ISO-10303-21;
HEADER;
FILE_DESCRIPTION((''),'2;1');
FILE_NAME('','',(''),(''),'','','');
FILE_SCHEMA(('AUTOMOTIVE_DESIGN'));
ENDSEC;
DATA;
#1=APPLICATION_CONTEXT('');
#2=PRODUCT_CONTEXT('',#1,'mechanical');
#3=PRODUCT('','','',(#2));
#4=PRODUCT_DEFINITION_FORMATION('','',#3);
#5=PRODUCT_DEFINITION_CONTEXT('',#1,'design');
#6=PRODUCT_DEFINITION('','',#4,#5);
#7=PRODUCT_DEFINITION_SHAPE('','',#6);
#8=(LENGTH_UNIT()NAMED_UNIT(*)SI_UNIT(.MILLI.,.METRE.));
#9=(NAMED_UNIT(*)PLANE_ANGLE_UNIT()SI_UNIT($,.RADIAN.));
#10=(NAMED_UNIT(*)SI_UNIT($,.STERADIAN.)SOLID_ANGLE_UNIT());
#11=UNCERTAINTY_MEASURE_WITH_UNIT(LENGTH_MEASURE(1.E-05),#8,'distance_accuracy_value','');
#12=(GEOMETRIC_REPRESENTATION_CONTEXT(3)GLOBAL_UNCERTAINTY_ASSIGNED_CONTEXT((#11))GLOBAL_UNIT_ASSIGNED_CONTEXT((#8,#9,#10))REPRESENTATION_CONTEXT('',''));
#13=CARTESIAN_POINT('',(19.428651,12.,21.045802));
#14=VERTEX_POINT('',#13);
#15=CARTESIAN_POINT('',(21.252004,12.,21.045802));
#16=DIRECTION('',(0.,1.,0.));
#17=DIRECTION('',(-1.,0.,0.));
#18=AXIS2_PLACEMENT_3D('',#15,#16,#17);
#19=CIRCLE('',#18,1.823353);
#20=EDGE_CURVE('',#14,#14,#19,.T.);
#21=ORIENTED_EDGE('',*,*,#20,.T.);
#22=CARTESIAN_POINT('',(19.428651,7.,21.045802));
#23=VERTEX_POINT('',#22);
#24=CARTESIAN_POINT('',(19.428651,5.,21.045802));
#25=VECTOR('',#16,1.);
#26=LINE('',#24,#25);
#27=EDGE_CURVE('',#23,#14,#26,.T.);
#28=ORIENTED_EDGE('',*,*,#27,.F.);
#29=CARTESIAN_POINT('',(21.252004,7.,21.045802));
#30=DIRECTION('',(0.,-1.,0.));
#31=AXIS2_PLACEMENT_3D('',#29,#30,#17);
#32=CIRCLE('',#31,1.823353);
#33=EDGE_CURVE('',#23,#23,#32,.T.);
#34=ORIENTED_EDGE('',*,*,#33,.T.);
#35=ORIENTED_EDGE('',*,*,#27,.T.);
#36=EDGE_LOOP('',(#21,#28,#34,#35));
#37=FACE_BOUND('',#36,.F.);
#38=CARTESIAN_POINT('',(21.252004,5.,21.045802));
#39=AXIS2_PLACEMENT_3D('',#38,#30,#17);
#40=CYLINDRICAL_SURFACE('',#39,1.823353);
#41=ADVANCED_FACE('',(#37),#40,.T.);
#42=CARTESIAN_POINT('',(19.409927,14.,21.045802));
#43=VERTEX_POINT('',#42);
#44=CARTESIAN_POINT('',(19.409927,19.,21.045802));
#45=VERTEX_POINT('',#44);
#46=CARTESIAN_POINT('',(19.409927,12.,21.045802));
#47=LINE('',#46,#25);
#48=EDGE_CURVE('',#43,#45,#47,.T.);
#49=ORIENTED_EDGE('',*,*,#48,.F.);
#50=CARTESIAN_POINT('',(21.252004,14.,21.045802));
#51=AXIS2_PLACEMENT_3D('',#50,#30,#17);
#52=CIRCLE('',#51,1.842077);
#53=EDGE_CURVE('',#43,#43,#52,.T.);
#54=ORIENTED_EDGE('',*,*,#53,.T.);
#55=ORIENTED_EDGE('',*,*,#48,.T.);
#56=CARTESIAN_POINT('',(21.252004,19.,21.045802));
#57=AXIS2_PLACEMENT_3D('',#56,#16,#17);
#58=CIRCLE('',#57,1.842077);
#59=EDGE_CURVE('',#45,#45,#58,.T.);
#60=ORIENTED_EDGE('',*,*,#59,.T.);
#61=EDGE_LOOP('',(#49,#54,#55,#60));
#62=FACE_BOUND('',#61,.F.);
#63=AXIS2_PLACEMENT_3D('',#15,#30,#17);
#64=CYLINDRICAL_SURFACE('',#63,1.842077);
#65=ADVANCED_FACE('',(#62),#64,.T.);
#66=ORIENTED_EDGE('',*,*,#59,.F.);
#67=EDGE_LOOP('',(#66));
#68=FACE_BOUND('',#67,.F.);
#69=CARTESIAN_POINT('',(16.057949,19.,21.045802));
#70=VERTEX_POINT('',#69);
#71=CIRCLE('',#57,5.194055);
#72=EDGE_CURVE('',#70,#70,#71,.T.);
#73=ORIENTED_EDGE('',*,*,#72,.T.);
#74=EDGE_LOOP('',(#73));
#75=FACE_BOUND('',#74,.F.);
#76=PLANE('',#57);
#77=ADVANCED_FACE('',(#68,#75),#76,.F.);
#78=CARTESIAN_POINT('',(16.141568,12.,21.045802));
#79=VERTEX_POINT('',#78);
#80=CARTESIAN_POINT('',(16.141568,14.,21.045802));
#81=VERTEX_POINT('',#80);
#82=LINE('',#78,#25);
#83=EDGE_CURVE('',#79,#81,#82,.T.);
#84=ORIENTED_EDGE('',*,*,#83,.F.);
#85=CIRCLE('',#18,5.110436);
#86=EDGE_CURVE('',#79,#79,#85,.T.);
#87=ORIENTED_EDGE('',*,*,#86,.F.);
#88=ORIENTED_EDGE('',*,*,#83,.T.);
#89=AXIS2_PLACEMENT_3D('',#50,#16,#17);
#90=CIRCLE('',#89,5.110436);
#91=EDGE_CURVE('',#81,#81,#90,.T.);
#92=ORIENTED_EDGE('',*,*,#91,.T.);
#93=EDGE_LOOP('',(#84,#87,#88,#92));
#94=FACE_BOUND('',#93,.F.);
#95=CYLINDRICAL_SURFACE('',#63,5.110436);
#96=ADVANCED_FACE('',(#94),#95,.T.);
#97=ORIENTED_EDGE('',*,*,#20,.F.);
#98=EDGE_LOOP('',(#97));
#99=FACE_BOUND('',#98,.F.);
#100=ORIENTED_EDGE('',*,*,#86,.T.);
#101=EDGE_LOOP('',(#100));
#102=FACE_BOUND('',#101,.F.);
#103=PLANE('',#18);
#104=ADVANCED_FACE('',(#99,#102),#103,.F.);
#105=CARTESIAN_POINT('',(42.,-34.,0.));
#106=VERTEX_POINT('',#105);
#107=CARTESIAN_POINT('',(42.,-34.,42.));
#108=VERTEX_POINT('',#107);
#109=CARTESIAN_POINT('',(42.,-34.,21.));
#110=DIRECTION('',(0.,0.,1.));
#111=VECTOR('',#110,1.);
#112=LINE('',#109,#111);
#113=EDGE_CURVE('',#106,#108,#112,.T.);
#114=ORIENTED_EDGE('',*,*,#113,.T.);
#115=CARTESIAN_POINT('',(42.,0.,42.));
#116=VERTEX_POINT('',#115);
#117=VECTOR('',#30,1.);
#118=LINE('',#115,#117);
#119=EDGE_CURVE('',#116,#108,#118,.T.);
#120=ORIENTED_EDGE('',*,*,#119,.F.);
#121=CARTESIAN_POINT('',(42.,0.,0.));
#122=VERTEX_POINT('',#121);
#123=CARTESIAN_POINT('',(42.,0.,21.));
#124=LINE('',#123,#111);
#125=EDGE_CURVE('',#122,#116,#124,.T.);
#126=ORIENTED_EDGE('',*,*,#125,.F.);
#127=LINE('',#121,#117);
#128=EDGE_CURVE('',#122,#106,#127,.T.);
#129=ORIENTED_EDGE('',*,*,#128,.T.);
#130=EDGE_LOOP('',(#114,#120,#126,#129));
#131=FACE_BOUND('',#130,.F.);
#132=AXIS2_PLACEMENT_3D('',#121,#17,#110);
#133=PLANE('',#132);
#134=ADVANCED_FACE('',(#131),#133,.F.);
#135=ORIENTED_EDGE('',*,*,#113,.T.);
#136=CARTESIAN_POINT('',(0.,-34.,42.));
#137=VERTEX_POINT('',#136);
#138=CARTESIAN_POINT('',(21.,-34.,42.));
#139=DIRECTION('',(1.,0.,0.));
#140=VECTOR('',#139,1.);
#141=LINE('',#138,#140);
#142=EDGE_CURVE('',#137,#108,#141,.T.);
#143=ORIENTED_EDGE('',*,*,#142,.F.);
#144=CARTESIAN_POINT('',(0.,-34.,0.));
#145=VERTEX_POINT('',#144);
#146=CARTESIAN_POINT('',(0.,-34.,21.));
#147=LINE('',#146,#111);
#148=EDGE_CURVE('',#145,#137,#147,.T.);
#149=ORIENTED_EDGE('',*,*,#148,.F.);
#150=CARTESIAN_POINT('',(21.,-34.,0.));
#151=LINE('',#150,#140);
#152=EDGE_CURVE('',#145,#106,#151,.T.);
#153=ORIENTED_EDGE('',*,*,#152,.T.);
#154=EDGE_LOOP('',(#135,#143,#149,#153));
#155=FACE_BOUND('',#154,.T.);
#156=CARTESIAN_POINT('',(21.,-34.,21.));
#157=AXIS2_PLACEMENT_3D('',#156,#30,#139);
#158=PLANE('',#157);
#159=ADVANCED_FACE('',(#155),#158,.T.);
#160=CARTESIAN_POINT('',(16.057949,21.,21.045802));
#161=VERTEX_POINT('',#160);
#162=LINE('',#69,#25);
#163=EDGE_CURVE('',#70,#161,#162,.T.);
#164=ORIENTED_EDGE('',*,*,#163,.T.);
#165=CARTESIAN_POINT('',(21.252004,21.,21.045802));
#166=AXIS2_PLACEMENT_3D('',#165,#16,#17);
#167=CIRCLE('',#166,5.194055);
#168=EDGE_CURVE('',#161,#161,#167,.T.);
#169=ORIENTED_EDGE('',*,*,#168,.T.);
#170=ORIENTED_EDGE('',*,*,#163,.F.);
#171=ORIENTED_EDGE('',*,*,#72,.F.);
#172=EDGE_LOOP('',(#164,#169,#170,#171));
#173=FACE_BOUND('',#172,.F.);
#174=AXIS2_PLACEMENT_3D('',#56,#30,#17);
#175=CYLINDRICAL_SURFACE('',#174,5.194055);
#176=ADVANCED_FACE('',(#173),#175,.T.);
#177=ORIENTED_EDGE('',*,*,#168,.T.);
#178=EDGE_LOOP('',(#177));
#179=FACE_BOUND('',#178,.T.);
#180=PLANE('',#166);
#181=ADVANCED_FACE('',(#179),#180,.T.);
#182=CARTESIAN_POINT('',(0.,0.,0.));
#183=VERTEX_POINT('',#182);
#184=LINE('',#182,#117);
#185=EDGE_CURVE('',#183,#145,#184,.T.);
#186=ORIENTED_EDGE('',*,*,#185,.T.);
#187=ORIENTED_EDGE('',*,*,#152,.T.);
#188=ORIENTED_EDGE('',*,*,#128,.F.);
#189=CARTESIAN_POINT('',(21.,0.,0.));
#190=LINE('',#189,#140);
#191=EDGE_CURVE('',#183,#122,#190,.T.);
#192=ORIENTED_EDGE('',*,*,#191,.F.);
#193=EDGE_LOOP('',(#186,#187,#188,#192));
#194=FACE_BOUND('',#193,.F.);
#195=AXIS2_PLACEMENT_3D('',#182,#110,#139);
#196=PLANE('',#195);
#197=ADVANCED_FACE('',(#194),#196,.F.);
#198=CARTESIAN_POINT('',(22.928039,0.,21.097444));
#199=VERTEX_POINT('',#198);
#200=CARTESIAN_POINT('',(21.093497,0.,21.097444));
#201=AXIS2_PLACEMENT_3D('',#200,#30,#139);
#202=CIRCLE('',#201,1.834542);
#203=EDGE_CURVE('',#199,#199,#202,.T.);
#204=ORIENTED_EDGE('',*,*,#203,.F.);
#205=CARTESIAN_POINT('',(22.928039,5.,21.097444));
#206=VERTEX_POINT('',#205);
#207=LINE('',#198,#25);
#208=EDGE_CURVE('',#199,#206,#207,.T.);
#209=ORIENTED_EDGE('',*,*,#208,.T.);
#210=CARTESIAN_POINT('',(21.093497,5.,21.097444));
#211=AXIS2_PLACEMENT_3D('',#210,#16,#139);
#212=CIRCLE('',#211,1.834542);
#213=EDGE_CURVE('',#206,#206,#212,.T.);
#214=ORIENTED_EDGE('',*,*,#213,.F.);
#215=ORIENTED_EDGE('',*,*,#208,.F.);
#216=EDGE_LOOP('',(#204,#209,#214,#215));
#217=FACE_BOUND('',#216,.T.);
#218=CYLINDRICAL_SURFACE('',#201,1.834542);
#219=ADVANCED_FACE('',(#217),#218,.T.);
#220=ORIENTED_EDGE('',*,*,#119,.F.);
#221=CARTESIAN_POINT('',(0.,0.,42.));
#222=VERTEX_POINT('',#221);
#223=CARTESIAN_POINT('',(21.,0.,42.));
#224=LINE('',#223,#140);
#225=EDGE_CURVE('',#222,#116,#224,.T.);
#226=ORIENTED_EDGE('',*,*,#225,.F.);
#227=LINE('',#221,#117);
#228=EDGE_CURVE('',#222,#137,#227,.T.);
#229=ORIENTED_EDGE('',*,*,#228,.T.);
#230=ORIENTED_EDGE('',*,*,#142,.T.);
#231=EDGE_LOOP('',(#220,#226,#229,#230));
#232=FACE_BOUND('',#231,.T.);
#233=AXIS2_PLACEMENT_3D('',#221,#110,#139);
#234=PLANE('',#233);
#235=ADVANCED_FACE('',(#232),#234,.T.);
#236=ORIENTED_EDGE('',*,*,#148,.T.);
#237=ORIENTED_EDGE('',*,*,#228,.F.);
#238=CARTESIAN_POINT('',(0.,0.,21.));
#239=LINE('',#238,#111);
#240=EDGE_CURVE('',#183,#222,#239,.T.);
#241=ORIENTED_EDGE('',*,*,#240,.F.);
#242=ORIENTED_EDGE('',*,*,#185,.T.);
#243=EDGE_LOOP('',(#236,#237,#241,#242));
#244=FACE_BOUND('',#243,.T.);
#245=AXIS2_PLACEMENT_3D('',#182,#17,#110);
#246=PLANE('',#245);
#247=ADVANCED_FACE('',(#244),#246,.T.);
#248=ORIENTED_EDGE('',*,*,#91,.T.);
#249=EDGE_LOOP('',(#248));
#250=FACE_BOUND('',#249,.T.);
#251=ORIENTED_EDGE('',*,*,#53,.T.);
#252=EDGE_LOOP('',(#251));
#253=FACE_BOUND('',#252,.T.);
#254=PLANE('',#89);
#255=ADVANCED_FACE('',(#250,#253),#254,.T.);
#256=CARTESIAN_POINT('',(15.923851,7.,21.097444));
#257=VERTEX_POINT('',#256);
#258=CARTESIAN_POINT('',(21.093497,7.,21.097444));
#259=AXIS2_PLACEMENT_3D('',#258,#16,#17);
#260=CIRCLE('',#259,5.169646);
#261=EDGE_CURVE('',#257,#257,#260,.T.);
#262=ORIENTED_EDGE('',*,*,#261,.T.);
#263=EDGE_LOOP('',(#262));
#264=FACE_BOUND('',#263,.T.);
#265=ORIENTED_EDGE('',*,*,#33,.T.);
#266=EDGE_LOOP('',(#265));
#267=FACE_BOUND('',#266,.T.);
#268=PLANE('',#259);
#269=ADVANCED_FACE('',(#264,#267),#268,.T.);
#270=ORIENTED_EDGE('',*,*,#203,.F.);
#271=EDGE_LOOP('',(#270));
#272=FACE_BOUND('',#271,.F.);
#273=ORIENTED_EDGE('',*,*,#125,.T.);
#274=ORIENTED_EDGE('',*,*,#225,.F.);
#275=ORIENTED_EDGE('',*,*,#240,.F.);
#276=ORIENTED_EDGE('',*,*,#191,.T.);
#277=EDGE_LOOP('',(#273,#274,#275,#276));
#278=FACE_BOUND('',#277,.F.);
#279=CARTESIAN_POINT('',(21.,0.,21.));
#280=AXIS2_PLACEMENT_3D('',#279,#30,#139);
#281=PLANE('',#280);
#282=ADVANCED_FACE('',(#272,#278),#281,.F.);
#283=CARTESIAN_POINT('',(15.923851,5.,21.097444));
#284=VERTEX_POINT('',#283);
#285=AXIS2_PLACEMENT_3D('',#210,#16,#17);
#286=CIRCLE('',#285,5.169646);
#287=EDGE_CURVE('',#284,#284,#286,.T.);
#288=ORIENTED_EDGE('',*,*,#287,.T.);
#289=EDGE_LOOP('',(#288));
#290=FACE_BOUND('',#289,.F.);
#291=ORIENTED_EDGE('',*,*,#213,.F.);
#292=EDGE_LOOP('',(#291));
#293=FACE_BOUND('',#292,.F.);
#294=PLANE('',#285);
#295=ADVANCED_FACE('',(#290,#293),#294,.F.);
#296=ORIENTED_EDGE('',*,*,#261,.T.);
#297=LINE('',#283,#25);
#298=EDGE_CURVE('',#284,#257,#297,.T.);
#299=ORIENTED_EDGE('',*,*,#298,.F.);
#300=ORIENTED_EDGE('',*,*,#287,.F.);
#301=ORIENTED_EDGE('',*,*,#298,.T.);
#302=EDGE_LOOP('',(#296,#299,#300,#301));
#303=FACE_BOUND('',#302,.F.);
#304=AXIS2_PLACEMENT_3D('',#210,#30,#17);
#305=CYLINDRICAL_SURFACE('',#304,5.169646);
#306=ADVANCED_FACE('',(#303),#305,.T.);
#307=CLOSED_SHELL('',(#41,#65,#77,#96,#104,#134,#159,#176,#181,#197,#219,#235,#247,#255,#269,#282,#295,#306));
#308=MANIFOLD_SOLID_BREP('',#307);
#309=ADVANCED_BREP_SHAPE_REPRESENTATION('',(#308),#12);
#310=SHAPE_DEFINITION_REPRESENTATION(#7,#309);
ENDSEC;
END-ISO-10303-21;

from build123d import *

# Parameters (mm, degrees)
F0_W      = 42
F0_H      = 42
F1_DEPTH  = 34
F2_R      = 1.834542
F3_DEPTH  = 5
F4_R      = 5.169646
F5_DEPTH  = 2
F6_R      = 1.823353
F7_DEPTH  = 7
F8_R      = 5.110436
F9_DEPTH  = 2
F10_R     = 1.842077
F11_DEPTH = 7
F12_R     = 5.194055
F13_DEPTH = 2


with BuildPart() as f1:
    # F0 (on Front) → F1 (new body)
    with BuildSketch(Plane.XZ):
        with Locations((21, 21)):
            Rectangle(F0_W, F0_H)
    extrude(amount=F1_DEPTH)

    # F2 (on face) → F3 (join)
    with BuildSketch(Plane.XZ):
        with Locations((21.093497, 21.097444)):
            Circle(F2_R)
    extrude(amount=-F3_DEPTH)

    # F4 (on face) → F5 (join)
    with BuildSketch(Plane(origin=(0, 5, 0), x_dir=(-1, 0, 0), z_dir=(0, 1, 0))):
        with Locations((-21.093497, 21.097444)):
            Circle(F4_R)
    extrude(amount=F5_DEPTH)

    # F6 (on face) → F7 (join)
    with BuildSketch(Plane(origin=(0, 5, 0), x_dir=(-1, 0, 0), z_dir=(0, 1, 0))):
        with Locations((-21.252004, 21.045802)):
            Circle(F6_R)
    extrude(amount=F7_DEPTH)

    # F8 (on face) → F9 (join)
    with BuildSketch(Plane(origin=(0, 12, 0), x_dir=(-1, 0, 0), z_dir=(0, 1, 0))):
        with Locations((-21.252004, 21.045802)):
            Circle(F8_R)
    extrude(amount=F9_DEPTH)

    # F10 (on face) → F11 (join)
    with BuildSketch(Plane(origin=(0, 12, 0), x_dir=(-1, 0, 0), z_dir=(0, 1, 0))):
        with Locations((-21.252004, 21.045802)):
            Circle(F10_R)
    extrude(amount=F11_DEPTH)

    # F12 (on face) → F13 (join)
    with BuildSketch(Plane(origin=(0, 19, 0), x_dir=(-1, 0, 0), z_dir=(0, 1, 0))):
        with Locations((-21.252004, 21.045802)):
            Circle(F12_R)
    extrude(amount=F13_DEPTH)


solid = f1.part
